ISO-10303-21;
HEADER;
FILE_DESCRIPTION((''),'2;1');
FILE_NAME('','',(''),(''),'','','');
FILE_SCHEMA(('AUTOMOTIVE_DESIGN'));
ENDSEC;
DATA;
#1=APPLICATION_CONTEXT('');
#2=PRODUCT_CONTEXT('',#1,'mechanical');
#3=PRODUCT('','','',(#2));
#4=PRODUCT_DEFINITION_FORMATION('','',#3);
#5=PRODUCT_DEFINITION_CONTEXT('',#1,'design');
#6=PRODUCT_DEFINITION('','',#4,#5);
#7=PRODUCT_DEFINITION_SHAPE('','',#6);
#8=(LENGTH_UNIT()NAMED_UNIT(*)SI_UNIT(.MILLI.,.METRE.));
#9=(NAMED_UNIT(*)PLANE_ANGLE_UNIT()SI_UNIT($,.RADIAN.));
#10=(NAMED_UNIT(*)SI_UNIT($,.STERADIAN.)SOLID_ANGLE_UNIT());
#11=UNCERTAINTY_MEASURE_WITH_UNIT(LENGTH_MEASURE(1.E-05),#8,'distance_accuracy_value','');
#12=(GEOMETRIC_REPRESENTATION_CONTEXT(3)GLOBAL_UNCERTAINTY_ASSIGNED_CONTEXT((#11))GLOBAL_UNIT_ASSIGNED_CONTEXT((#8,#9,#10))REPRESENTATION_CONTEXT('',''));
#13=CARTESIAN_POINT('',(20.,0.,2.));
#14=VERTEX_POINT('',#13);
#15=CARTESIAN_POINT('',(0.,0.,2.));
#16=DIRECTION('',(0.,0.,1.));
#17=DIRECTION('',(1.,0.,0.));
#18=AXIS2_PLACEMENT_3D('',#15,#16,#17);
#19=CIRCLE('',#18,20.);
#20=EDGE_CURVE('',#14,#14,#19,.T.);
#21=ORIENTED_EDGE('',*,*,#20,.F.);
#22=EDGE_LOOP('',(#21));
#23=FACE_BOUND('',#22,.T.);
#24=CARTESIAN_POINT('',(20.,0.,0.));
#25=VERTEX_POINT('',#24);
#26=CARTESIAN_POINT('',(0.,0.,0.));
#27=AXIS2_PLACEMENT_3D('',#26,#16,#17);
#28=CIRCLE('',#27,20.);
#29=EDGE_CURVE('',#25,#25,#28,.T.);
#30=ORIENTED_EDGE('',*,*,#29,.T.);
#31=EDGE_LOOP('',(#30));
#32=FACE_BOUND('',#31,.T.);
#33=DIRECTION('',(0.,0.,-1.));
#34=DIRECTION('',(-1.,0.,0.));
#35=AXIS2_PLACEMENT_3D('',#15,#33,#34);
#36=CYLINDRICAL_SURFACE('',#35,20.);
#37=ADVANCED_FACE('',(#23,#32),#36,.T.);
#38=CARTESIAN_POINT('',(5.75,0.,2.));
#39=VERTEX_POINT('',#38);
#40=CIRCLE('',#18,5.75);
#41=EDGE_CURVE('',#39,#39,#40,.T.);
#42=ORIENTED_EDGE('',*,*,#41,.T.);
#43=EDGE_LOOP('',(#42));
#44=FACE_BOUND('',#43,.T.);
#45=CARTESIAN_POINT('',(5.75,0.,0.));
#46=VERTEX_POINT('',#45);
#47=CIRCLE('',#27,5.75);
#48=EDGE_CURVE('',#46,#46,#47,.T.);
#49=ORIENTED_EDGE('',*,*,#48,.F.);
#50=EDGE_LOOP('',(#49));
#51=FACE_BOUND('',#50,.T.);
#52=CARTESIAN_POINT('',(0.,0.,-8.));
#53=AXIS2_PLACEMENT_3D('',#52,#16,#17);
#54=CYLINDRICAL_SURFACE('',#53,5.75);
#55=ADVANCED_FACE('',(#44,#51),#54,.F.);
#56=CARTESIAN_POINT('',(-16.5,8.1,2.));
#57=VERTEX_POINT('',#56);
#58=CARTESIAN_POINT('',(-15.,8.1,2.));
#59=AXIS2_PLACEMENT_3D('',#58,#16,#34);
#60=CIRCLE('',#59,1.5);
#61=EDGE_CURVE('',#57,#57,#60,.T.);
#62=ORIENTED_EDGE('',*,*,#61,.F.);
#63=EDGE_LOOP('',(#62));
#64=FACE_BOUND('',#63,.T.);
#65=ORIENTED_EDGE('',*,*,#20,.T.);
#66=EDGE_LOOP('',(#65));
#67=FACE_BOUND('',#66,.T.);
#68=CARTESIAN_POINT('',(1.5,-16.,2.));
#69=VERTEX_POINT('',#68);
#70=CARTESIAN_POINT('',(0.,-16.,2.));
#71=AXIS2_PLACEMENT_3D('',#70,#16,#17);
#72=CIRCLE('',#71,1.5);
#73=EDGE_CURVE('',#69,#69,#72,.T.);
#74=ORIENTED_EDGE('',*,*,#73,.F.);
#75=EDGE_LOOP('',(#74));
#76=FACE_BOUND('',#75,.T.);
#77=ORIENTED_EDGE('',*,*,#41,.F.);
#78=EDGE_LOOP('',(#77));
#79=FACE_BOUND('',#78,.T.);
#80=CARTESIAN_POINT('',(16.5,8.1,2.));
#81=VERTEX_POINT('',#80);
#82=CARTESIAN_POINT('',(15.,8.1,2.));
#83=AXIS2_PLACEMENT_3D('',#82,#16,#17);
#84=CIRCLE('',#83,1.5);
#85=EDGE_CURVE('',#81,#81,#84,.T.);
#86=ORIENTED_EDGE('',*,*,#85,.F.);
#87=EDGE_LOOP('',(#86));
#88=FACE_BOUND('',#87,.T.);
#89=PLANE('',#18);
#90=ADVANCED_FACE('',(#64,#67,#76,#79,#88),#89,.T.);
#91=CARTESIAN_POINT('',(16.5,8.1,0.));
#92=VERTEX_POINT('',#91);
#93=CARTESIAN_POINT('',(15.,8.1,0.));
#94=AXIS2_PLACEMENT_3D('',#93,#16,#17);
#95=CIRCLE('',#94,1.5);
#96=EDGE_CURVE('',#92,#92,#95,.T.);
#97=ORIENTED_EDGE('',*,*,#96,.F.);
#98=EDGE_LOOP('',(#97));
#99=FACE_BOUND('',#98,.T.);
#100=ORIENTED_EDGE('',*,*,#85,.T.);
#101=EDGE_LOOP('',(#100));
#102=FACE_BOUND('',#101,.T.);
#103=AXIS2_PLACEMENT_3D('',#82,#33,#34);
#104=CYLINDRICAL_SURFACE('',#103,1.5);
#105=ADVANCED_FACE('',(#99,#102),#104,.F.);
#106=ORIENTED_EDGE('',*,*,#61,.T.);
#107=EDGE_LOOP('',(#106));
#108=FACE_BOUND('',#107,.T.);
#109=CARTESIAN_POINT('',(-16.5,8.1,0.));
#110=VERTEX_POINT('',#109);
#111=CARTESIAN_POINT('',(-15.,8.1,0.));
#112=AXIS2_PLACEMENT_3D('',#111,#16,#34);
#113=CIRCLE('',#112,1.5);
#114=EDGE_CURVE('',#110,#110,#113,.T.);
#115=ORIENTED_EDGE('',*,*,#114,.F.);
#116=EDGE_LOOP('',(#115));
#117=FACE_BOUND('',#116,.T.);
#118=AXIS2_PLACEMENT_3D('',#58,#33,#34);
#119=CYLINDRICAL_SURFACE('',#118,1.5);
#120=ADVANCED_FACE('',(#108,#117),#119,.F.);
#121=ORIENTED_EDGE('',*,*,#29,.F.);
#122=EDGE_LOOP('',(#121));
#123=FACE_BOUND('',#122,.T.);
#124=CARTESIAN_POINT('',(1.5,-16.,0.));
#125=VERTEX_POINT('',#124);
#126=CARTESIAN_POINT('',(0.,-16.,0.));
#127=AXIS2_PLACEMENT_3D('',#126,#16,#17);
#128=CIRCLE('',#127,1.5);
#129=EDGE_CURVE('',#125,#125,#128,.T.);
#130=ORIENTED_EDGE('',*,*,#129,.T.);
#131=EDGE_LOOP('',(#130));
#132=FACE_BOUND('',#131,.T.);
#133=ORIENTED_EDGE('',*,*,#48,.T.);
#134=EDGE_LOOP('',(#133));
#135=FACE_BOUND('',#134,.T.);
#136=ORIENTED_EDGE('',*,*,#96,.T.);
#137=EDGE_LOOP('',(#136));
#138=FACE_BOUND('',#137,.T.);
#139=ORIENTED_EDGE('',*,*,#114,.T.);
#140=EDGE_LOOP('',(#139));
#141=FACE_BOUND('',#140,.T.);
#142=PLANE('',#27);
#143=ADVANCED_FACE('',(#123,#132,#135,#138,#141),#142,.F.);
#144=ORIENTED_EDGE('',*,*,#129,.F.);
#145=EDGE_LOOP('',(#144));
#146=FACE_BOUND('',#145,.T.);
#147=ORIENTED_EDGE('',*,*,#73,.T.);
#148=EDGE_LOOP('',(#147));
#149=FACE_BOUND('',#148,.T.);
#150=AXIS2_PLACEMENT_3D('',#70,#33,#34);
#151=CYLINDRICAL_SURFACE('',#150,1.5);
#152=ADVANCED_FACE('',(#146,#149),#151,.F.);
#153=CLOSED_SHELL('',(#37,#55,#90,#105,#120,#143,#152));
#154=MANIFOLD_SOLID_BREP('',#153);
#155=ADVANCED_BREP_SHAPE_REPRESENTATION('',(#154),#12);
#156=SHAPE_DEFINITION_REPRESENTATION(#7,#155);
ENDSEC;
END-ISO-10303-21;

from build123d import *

# Parameters (mm, degrees)
CROQUIS1_R              = 20
CROQUIS1_R_2            = 1.5
SALIENTE_EXTRUIR1_DEPTH = 2
CROQUIS2_R              = 5.75
CORTAR_EXTRUIR1_DEPTH   = 10


with BuildPart() as part:
    # Croquis1 → Saliente-Extruir1 (new body)
    with BuildSketch(Plane.XY):
        Circle(CROQUIS1_R)
        with Locations((15, 8.1)):
            Circle(CROQUIS1_R_2, mode=Mode.SUBTRACT)
        with Locations((0, -16)):
            Circle(CROQUIS1_R_2, mode=Mode.SUBTRACT)
        with Locations(Location((-15, 8.1, 0), (0, 0, 180))):
            Circle(CROQUIS1_R_2, mode=Mode.SUBTRACT)
    extrude(amount=SALIENTE_EXTRUIR1_DEPTH)

    # Croquis2 → Cortar-Extruir1 (cut)
    with BuildSketch(Plane.XY.offset(2)):
        Circle(CROQUIS2_R)
    extrude(amount=-CORTAR_EXTRUIR1_DEPTH, mode=Mode.SUBTRACT)


solid = part.part
